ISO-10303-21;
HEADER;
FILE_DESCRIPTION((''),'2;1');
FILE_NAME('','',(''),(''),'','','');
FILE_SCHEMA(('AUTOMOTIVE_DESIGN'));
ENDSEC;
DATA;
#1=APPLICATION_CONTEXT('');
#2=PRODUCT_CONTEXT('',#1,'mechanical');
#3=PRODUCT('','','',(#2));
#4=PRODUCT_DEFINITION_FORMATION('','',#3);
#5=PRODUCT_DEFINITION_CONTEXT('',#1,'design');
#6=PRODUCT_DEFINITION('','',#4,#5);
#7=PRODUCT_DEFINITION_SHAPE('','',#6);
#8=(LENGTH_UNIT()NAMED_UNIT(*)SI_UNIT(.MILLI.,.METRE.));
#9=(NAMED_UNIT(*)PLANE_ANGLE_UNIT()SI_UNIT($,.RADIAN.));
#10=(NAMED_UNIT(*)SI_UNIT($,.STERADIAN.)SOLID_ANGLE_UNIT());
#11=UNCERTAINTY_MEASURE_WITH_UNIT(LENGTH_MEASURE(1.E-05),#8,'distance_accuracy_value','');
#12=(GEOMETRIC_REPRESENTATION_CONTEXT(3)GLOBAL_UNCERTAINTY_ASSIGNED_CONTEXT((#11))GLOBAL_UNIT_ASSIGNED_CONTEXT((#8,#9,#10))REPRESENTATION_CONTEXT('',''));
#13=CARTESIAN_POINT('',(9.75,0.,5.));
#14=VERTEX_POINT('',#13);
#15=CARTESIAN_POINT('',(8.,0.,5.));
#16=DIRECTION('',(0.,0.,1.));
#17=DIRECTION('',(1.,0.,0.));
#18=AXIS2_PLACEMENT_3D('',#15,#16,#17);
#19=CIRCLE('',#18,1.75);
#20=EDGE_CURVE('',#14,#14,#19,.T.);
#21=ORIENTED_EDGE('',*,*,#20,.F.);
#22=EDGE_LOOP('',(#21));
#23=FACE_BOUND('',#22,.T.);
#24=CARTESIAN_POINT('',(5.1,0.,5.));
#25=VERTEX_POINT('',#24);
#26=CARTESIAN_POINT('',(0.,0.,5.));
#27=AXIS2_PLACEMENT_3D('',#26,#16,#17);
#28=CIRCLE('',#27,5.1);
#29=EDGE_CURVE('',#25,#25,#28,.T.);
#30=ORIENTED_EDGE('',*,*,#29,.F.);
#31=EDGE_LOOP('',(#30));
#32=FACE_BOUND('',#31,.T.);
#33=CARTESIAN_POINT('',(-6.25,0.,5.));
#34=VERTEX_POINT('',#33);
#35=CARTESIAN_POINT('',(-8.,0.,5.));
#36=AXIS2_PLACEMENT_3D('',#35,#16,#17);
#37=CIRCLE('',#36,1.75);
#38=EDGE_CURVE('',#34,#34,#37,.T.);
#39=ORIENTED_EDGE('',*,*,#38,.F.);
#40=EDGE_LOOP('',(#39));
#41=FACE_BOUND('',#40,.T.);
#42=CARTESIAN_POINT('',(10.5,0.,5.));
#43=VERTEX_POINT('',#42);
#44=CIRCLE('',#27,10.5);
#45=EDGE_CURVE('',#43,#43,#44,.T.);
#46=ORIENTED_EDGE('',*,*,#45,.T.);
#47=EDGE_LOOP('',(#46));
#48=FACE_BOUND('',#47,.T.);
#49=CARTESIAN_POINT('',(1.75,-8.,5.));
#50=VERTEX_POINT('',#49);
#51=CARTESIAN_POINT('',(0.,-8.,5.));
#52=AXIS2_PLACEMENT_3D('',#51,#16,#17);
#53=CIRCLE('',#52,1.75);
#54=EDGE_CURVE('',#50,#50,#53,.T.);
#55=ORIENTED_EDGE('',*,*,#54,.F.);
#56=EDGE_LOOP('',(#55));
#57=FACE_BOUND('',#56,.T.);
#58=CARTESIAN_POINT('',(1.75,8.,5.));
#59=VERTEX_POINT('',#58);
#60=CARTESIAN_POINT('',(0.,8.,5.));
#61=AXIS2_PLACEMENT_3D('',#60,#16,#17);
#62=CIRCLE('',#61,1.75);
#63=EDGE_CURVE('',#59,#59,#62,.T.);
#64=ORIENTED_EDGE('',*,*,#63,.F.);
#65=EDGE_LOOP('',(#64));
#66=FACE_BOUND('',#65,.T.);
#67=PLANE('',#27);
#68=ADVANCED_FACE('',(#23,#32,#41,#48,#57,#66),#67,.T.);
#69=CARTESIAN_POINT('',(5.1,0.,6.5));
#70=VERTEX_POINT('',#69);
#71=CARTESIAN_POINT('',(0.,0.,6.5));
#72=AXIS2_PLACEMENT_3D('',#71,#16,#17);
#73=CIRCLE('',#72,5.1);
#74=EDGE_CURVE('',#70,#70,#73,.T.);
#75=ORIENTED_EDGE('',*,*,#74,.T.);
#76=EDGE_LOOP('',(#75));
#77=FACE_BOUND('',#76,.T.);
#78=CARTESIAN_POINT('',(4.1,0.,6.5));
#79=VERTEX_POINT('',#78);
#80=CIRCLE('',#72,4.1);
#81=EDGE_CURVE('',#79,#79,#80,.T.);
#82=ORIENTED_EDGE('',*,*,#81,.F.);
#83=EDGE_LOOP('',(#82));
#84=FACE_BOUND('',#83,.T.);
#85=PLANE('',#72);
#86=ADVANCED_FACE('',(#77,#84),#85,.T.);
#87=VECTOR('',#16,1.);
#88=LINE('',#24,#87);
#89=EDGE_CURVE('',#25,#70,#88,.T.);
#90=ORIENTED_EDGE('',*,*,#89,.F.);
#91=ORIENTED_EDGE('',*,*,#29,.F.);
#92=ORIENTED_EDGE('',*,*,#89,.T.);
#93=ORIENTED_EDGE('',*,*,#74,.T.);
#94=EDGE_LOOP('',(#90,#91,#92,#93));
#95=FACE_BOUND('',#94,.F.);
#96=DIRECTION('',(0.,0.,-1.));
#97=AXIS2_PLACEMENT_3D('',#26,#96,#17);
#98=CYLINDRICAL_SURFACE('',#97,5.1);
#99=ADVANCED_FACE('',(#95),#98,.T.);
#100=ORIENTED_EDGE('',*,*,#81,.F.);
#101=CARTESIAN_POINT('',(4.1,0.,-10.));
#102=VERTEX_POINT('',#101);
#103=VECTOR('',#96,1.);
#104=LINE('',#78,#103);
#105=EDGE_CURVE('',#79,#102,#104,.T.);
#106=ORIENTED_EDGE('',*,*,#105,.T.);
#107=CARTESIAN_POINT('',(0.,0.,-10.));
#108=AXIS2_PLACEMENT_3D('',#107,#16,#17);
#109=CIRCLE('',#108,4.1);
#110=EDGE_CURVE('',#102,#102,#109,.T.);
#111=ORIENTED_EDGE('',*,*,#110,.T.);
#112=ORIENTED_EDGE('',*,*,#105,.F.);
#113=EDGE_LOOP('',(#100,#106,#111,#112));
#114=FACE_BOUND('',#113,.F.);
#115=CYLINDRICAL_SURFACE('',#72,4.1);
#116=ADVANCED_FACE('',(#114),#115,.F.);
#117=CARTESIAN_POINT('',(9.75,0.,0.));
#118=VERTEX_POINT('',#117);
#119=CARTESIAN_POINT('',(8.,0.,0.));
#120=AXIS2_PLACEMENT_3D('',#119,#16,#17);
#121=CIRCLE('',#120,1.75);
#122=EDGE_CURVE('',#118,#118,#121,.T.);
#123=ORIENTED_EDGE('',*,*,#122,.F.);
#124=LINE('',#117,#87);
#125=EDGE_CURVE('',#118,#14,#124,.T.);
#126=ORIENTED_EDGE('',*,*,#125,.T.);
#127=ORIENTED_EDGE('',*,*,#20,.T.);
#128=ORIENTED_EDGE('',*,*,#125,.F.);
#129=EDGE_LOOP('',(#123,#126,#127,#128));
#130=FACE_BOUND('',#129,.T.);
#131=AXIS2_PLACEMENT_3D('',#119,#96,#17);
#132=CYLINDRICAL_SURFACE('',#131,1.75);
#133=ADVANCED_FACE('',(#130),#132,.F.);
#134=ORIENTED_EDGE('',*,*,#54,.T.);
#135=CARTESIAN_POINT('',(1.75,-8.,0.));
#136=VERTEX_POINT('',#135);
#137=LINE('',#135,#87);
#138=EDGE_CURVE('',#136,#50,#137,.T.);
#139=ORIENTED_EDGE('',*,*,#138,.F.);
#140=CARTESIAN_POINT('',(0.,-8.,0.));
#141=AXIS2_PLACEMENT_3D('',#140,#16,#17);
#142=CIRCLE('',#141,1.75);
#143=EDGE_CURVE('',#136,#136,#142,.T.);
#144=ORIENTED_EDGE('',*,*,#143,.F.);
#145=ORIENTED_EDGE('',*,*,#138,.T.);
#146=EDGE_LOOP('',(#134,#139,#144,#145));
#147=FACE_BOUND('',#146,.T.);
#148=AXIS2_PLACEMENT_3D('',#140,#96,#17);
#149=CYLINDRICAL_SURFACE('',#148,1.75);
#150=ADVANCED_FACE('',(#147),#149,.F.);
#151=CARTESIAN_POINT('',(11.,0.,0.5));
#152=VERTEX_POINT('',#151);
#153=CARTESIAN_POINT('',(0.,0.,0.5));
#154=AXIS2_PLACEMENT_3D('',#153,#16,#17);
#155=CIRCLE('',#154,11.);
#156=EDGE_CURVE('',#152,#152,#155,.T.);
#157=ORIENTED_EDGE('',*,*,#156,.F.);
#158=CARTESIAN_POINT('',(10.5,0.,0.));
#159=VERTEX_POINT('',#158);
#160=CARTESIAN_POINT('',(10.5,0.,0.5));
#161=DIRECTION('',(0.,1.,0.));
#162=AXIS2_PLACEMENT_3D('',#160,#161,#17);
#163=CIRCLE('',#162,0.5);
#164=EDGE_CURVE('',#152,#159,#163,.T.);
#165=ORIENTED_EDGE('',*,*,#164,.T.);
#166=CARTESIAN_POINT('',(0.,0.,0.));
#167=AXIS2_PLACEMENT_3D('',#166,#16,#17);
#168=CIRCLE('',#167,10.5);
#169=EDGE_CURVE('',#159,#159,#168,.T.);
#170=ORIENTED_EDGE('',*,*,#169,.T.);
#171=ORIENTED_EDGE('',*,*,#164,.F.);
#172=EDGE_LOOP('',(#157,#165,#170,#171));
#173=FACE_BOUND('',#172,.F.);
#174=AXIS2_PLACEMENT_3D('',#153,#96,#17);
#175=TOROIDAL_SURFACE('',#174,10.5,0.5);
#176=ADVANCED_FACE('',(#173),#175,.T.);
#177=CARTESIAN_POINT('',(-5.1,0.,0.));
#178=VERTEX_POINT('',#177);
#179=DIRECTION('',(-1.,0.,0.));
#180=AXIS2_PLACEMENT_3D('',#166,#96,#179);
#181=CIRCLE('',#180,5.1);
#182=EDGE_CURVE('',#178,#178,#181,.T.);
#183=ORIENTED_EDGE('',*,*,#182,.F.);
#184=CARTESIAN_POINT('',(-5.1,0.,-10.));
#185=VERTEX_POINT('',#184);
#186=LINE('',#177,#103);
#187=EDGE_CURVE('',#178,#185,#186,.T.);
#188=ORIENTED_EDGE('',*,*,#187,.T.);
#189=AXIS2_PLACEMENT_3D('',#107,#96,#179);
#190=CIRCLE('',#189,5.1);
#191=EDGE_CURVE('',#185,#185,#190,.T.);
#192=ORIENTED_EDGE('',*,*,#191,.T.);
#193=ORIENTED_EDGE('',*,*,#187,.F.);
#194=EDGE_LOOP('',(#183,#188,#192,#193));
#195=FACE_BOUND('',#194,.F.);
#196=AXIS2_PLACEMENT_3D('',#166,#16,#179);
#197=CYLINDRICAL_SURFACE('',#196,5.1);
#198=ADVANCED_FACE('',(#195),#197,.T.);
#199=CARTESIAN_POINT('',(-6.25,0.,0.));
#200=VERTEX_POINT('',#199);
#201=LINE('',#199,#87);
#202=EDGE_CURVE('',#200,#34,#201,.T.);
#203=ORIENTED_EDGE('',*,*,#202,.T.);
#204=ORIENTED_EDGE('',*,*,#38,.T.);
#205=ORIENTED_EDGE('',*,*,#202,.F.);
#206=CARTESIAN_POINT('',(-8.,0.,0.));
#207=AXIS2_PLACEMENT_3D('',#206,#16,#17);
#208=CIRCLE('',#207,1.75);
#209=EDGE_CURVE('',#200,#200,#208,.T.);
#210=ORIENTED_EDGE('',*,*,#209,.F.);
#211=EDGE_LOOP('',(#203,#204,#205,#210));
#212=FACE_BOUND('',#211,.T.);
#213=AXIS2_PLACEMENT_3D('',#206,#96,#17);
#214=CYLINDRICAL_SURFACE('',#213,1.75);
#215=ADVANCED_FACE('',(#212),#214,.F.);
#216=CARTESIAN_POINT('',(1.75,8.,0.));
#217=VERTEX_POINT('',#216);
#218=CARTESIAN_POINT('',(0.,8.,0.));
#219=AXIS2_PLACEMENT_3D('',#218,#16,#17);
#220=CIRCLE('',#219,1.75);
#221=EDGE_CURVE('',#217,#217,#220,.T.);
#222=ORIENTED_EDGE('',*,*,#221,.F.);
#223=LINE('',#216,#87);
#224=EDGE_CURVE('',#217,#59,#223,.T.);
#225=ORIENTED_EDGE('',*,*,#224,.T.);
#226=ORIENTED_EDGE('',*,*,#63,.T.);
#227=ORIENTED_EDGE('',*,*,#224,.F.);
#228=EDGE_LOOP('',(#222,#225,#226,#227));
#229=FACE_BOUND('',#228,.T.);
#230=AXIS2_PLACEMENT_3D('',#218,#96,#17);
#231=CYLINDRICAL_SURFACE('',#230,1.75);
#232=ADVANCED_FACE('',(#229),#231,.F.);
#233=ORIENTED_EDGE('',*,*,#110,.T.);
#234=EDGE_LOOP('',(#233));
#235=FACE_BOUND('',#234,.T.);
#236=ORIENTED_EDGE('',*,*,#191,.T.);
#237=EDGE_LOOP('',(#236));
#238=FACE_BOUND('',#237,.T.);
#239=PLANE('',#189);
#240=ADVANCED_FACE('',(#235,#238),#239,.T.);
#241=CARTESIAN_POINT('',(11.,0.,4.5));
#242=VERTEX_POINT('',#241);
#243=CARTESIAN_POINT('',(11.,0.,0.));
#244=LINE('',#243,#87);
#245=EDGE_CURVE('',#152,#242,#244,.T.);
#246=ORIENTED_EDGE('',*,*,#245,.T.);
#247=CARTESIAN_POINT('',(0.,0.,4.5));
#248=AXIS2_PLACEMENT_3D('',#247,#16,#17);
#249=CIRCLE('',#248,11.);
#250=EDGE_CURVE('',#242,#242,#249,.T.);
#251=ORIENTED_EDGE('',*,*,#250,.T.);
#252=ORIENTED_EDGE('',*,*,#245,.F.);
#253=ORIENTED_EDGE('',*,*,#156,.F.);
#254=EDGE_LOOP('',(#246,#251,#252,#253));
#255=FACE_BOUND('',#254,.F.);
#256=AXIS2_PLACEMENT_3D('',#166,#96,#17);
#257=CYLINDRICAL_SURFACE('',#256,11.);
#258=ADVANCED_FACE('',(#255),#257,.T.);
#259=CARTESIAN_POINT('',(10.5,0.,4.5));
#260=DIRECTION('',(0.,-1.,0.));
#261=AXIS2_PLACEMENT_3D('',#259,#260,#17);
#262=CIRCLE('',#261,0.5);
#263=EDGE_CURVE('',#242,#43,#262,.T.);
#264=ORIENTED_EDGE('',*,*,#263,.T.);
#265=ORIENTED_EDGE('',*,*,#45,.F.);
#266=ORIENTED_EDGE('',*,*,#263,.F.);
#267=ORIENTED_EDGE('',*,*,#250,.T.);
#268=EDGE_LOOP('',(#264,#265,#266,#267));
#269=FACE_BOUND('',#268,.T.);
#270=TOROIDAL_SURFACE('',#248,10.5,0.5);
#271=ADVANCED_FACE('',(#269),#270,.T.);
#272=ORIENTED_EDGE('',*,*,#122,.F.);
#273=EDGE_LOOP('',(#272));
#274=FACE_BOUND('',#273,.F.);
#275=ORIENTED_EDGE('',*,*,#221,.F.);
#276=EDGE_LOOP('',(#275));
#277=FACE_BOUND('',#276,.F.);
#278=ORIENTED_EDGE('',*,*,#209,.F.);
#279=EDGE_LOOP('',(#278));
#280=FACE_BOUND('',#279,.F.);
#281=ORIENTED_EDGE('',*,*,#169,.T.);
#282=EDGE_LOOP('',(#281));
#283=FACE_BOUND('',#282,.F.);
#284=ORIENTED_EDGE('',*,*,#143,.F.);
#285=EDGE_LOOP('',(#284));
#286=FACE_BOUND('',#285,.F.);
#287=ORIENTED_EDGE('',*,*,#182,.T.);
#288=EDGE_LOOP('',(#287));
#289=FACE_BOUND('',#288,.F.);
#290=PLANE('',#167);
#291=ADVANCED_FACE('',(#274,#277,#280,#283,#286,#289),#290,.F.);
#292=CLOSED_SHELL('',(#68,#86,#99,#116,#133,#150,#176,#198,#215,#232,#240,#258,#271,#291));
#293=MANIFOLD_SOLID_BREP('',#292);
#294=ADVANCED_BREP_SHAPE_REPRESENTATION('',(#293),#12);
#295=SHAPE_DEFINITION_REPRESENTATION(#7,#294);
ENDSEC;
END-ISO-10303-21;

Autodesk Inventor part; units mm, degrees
ref_plane "YZ Plane" through (0, 0, 0) normal (1, 0, 0) x (0, 1, 0)
ref_plane "XZ Plane" through (0, 0, 0) normal (0, 1, 0) x (-1, 0, 0)
ref_plane "XY Plane" through (0, 0, 0) normal (0, 0, 1) x (1, 0, 0)
sketch "Sketch1" plane through (0, 0, 0) normal (0, 0, 1) x (1, 0, 0)
  circle A0 centre (0, 0) radius 11
  circle A1 centre (0, 0) radius 8 construction
  line L0 (0, 0) -> (0, 8) construction
  circle A2 centre (0, 8) radius 1.75
  line L1 (0, 0) -> (-8, 0) construction
  circle A3 centre (-8, 0) radius 1.75
  line L2 (0, 0) -> (0, -8) construction
  circle A4 centre (0, -8) radius 1.75
  line L3 (0, 0) -> (8, 0) construction
  circle A5 centre (8, 0) radius 1.75
  dimension "d1" = 16
  dimension "d0" = 22
  dimension "d2" = 3.5
  dimension "d5" = 360
extrude "Extrusion1" add sketch "Sketch1" along normal blind 5
sketch "Sketch2" plane through (0, 0, 5) normal (0, 0, 1) x (1, 0, 0)
  circle A0 centre (0, 0) radius 5.1
  dimension "d10" = 10.2
sketch "Sketch3" plane through (0, 0, 0) normal (0, 0, -1) x (-1, 0, 0)
  point P0 (0, 0)
extrude "Extrusion2" add sketch "Sketch2" along normal blind 1.5
sketch "Sketch4" plane through (0, 0, 0) normal (0, 0, -1) x (-1, 0, 0)
  circle A0 centre (0, 0) radius 5.1
  dimension "d13" = 10.2
extrude "Extrusion3" add sketch "Sketch4" along normal blind 10
sketch "Sketch5" plane through (0, 0, 6.5) normal (0, 0, 1) x (1, 0, 0)
  circle A0 centre (0, 0) radius 4.1
  dimension "d16" = 8.2
extrude "Extrusion4" cut sketch "Sketch5" against normal blind 19.5
thread "Thread1" size "M9x1.25" class "6H" standard "ANSI Metric M Profile" length 4000
fillet "Fillet1" radius 0.5 2 edges at (-11, 0, 5) (-11, 0, 0)
properties part number "LeadNut"
